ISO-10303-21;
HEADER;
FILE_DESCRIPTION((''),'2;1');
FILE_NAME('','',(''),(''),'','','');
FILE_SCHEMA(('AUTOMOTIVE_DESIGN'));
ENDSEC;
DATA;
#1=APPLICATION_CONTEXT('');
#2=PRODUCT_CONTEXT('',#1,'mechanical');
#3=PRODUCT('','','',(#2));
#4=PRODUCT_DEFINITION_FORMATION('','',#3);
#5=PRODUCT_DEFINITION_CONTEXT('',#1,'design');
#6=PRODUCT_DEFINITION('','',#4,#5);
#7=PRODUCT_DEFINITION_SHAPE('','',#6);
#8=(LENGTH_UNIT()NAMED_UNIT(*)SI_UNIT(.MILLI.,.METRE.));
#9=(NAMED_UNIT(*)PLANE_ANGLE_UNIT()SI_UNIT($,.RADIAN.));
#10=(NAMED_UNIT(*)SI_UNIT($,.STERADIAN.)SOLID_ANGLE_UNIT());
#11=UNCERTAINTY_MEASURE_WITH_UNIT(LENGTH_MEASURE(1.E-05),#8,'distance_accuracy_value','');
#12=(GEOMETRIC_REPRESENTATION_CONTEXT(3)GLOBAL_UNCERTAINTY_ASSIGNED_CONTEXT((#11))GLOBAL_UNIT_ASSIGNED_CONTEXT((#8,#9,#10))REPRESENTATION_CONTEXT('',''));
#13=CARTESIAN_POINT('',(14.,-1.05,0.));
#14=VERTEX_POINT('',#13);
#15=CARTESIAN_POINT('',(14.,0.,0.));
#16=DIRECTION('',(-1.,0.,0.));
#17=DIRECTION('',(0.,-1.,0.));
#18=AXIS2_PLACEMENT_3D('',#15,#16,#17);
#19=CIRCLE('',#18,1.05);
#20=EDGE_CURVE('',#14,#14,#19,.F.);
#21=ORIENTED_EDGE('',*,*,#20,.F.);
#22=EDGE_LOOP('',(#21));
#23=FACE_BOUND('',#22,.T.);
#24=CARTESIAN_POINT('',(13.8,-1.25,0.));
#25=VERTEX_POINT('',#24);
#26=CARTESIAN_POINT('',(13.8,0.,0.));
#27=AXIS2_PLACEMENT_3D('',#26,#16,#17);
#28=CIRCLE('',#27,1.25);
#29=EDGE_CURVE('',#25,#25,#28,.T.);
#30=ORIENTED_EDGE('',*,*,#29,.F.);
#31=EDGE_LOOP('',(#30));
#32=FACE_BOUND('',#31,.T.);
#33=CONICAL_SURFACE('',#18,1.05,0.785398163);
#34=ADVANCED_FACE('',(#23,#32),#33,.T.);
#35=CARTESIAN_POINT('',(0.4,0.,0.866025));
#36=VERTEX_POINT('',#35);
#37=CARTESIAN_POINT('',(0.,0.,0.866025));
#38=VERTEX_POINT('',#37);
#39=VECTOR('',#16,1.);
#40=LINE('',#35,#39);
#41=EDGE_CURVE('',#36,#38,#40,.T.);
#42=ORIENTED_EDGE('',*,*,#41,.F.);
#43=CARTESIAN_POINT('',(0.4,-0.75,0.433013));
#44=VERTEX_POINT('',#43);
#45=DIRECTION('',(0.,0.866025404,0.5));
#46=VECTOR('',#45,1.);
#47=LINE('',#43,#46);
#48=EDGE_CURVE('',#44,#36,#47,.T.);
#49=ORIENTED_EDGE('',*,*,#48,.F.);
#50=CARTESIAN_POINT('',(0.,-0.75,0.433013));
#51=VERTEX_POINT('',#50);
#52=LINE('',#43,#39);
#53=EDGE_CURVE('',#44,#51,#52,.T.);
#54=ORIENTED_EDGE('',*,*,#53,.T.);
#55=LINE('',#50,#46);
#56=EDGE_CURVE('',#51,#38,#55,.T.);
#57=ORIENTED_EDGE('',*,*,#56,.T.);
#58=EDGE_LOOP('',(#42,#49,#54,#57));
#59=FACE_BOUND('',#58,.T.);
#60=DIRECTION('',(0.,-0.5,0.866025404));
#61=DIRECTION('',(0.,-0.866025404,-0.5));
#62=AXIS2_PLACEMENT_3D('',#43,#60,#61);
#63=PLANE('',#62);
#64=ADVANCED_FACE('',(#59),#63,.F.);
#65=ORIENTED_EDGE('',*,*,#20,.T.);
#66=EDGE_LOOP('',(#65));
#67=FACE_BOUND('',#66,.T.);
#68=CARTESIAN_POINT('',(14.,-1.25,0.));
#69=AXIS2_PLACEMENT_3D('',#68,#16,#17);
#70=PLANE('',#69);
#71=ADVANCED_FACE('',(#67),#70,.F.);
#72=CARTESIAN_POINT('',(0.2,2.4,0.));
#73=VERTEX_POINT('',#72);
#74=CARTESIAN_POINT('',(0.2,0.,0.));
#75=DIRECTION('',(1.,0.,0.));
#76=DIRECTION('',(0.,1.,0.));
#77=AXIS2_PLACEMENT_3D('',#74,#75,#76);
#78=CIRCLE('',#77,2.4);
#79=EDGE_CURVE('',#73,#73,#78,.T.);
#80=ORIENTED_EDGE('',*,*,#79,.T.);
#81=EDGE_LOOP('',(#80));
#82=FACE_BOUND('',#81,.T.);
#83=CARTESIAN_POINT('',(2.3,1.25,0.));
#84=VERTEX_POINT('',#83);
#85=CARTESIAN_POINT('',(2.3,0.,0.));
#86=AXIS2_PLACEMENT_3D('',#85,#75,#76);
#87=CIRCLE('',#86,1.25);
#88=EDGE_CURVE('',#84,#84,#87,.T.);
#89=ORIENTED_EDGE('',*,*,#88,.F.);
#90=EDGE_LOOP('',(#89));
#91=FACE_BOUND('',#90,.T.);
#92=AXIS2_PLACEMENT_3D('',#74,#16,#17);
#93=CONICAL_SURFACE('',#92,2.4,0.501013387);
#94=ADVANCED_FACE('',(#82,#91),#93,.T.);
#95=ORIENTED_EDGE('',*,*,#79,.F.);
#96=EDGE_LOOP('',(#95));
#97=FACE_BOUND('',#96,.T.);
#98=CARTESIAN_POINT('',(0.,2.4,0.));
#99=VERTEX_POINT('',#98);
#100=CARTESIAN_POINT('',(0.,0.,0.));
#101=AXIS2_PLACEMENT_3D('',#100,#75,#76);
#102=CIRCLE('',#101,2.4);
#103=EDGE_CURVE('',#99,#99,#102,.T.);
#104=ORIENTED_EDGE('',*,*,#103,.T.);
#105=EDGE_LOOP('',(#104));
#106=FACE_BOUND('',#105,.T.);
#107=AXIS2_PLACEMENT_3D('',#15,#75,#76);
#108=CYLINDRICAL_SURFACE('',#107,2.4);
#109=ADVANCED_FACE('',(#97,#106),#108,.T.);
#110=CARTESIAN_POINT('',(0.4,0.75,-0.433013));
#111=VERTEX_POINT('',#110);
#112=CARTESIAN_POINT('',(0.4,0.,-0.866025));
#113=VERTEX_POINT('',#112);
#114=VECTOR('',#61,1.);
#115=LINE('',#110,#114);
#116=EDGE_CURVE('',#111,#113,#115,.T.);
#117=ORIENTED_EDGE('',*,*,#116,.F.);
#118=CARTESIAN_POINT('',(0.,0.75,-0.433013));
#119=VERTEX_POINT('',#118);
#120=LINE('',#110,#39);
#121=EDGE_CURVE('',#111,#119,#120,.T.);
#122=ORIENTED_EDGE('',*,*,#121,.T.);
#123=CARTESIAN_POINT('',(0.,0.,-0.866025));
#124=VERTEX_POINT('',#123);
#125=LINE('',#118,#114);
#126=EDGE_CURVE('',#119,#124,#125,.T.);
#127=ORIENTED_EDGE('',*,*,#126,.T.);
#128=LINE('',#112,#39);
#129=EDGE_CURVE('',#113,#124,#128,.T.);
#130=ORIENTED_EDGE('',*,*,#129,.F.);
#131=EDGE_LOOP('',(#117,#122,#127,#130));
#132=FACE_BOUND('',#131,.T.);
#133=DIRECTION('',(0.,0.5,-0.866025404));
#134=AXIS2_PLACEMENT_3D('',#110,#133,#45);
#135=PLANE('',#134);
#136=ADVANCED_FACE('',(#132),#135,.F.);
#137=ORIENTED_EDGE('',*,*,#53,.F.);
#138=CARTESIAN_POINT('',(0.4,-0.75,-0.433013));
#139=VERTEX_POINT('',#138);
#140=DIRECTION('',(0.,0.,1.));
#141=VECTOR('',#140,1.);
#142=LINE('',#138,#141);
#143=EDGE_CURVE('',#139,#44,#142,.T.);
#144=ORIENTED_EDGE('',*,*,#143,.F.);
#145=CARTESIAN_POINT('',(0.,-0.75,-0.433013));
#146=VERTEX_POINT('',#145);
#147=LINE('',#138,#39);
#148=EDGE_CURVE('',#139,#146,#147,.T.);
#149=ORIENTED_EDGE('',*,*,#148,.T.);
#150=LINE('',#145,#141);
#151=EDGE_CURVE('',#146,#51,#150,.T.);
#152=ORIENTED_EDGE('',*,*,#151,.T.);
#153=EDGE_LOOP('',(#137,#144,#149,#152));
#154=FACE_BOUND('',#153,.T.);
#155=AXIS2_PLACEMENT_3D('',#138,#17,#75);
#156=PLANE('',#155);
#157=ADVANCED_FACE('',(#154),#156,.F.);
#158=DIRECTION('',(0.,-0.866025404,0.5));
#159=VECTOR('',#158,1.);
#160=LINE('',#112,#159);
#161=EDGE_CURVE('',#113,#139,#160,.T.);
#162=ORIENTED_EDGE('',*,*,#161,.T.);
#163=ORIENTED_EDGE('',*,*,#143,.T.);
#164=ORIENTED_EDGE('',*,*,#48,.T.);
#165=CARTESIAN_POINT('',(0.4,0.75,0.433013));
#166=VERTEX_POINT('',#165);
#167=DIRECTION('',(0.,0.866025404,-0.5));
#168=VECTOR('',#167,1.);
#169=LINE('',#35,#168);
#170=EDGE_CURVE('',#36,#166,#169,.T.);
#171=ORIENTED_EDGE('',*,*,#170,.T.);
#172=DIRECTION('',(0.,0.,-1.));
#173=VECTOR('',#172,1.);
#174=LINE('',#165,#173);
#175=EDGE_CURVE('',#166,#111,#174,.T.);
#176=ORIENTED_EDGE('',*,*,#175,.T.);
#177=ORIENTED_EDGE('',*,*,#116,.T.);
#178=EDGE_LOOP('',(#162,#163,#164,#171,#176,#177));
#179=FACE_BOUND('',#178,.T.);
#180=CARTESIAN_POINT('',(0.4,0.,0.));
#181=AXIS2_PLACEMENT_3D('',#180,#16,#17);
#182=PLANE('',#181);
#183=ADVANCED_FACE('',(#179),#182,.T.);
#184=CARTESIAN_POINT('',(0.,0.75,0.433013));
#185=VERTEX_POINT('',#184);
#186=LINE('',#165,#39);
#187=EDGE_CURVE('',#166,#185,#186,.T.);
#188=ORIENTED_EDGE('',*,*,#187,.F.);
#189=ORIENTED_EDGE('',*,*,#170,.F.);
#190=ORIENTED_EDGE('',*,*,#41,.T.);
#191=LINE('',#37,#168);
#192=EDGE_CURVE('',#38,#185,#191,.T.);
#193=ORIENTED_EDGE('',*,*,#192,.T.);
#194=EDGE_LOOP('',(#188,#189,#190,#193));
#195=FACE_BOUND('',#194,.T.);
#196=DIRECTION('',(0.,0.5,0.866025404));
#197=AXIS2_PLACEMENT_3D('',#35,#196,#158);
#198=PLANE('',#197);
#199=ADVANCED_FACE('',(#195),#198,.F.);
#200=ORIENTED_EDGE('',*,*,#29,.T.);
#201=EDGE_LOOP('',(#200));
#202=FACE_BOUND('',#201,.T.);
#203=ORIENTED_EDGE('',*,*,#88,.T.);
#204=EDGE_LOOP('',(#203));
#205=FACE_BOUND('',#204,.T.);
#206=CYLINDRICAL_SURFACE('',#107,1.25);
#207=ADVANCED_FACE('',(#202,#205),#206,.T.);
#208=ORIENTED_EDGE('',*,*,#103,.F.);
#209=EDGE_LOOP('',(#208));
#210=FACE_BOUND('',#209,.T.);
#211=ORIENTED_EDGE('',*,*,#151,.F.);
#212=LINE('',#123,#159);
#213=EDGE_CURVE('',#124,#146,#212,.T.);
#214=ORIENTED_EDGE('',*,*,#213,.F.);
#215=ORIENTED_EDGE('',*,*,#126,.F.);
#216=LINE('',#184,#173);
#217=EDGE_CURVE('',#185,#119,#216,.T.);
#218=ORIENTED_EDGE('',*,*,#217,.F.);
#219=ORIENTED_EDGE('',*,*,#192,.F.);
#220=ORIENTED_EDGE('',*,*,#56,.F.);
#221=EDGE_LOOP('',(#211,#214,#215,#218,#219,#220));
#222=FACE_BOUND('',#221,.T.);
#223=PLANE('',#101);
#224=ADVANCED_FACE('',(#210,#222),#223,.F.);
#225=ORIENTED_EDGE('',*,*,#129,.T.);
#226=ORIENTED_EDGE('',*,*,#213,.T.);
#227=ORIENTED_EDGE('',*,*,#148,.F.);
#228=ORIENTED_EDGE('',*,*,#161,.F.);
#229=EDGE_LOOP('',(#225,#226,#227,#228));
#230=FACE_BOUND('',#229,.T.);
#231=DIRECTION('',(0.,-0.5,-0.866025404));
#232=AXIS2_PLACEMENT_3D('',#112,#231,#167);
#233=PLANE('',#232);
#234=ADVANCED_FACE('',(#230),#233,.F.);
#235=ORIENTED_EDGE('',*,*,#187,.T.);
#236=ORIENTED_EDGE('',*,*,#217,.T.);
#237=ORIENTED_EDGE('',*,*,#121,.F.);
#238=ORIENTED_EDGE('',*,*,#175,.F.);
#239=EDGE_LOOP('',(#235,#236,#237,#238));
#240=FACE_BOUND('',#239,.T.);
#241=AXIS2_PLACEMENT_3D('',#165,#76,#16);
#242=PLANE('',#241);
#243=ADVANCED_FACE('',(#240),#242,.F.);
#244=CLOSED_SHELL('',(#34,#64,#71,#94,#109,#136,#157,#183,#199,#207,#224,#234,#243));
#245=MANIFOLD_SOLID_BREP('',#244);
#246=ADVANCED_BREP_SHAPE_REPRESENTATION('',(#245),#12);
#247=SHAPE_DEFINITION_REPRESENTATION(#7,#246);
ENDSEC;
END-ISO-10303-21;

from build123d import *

# Parameters (mm, degrees)
CUT_EXTRUDE_1_DEPTH = 0.4
CHAMFER_1_SIZE      = 0.2


with BuildPart() as part:
    # 草图1 → 旋转1 (revolve)
    with BuildSketch(Plane.XY, mode=Mode.PRIVATE) as revolve_1_sk:
        Polygon((0, 0), (0, -2.4), (0.2, -2.4), (2.3, -1.25), (14, -1.25), (14, 0), align=None)
    revolve(revolve_1_sk.sketch.rotate(Axis((14, 0, 0), (-1, 0, 0)), 180), axis=Axis((14, 0, 0), (-1, 0, 0)))

    # 草图2 → 切除-拉伸1 (cut)
    with BuildSketch(Plane.ZY):
        Polygon((0.866025404, 0), (0.433012702, 0.75), (-0.433012702, 0.75), (-0.866025404, 0), (-0.433012702, -0.75), (0.433012702, -0.75), align=None)
    extrude(amount=-CUT_EXTRUDE_1_DEPTH, mode=Mode.SUBTRACT)

    # 倒角1
    chamfer_1_edges = [part.edges().sort_by_distance(p)[0] for p in [
        (14, -1.25, 0),
    ]]
    chamfer(chamfer_1_edges, length=CHAMFER_1_SIZE)


solid = part.part
